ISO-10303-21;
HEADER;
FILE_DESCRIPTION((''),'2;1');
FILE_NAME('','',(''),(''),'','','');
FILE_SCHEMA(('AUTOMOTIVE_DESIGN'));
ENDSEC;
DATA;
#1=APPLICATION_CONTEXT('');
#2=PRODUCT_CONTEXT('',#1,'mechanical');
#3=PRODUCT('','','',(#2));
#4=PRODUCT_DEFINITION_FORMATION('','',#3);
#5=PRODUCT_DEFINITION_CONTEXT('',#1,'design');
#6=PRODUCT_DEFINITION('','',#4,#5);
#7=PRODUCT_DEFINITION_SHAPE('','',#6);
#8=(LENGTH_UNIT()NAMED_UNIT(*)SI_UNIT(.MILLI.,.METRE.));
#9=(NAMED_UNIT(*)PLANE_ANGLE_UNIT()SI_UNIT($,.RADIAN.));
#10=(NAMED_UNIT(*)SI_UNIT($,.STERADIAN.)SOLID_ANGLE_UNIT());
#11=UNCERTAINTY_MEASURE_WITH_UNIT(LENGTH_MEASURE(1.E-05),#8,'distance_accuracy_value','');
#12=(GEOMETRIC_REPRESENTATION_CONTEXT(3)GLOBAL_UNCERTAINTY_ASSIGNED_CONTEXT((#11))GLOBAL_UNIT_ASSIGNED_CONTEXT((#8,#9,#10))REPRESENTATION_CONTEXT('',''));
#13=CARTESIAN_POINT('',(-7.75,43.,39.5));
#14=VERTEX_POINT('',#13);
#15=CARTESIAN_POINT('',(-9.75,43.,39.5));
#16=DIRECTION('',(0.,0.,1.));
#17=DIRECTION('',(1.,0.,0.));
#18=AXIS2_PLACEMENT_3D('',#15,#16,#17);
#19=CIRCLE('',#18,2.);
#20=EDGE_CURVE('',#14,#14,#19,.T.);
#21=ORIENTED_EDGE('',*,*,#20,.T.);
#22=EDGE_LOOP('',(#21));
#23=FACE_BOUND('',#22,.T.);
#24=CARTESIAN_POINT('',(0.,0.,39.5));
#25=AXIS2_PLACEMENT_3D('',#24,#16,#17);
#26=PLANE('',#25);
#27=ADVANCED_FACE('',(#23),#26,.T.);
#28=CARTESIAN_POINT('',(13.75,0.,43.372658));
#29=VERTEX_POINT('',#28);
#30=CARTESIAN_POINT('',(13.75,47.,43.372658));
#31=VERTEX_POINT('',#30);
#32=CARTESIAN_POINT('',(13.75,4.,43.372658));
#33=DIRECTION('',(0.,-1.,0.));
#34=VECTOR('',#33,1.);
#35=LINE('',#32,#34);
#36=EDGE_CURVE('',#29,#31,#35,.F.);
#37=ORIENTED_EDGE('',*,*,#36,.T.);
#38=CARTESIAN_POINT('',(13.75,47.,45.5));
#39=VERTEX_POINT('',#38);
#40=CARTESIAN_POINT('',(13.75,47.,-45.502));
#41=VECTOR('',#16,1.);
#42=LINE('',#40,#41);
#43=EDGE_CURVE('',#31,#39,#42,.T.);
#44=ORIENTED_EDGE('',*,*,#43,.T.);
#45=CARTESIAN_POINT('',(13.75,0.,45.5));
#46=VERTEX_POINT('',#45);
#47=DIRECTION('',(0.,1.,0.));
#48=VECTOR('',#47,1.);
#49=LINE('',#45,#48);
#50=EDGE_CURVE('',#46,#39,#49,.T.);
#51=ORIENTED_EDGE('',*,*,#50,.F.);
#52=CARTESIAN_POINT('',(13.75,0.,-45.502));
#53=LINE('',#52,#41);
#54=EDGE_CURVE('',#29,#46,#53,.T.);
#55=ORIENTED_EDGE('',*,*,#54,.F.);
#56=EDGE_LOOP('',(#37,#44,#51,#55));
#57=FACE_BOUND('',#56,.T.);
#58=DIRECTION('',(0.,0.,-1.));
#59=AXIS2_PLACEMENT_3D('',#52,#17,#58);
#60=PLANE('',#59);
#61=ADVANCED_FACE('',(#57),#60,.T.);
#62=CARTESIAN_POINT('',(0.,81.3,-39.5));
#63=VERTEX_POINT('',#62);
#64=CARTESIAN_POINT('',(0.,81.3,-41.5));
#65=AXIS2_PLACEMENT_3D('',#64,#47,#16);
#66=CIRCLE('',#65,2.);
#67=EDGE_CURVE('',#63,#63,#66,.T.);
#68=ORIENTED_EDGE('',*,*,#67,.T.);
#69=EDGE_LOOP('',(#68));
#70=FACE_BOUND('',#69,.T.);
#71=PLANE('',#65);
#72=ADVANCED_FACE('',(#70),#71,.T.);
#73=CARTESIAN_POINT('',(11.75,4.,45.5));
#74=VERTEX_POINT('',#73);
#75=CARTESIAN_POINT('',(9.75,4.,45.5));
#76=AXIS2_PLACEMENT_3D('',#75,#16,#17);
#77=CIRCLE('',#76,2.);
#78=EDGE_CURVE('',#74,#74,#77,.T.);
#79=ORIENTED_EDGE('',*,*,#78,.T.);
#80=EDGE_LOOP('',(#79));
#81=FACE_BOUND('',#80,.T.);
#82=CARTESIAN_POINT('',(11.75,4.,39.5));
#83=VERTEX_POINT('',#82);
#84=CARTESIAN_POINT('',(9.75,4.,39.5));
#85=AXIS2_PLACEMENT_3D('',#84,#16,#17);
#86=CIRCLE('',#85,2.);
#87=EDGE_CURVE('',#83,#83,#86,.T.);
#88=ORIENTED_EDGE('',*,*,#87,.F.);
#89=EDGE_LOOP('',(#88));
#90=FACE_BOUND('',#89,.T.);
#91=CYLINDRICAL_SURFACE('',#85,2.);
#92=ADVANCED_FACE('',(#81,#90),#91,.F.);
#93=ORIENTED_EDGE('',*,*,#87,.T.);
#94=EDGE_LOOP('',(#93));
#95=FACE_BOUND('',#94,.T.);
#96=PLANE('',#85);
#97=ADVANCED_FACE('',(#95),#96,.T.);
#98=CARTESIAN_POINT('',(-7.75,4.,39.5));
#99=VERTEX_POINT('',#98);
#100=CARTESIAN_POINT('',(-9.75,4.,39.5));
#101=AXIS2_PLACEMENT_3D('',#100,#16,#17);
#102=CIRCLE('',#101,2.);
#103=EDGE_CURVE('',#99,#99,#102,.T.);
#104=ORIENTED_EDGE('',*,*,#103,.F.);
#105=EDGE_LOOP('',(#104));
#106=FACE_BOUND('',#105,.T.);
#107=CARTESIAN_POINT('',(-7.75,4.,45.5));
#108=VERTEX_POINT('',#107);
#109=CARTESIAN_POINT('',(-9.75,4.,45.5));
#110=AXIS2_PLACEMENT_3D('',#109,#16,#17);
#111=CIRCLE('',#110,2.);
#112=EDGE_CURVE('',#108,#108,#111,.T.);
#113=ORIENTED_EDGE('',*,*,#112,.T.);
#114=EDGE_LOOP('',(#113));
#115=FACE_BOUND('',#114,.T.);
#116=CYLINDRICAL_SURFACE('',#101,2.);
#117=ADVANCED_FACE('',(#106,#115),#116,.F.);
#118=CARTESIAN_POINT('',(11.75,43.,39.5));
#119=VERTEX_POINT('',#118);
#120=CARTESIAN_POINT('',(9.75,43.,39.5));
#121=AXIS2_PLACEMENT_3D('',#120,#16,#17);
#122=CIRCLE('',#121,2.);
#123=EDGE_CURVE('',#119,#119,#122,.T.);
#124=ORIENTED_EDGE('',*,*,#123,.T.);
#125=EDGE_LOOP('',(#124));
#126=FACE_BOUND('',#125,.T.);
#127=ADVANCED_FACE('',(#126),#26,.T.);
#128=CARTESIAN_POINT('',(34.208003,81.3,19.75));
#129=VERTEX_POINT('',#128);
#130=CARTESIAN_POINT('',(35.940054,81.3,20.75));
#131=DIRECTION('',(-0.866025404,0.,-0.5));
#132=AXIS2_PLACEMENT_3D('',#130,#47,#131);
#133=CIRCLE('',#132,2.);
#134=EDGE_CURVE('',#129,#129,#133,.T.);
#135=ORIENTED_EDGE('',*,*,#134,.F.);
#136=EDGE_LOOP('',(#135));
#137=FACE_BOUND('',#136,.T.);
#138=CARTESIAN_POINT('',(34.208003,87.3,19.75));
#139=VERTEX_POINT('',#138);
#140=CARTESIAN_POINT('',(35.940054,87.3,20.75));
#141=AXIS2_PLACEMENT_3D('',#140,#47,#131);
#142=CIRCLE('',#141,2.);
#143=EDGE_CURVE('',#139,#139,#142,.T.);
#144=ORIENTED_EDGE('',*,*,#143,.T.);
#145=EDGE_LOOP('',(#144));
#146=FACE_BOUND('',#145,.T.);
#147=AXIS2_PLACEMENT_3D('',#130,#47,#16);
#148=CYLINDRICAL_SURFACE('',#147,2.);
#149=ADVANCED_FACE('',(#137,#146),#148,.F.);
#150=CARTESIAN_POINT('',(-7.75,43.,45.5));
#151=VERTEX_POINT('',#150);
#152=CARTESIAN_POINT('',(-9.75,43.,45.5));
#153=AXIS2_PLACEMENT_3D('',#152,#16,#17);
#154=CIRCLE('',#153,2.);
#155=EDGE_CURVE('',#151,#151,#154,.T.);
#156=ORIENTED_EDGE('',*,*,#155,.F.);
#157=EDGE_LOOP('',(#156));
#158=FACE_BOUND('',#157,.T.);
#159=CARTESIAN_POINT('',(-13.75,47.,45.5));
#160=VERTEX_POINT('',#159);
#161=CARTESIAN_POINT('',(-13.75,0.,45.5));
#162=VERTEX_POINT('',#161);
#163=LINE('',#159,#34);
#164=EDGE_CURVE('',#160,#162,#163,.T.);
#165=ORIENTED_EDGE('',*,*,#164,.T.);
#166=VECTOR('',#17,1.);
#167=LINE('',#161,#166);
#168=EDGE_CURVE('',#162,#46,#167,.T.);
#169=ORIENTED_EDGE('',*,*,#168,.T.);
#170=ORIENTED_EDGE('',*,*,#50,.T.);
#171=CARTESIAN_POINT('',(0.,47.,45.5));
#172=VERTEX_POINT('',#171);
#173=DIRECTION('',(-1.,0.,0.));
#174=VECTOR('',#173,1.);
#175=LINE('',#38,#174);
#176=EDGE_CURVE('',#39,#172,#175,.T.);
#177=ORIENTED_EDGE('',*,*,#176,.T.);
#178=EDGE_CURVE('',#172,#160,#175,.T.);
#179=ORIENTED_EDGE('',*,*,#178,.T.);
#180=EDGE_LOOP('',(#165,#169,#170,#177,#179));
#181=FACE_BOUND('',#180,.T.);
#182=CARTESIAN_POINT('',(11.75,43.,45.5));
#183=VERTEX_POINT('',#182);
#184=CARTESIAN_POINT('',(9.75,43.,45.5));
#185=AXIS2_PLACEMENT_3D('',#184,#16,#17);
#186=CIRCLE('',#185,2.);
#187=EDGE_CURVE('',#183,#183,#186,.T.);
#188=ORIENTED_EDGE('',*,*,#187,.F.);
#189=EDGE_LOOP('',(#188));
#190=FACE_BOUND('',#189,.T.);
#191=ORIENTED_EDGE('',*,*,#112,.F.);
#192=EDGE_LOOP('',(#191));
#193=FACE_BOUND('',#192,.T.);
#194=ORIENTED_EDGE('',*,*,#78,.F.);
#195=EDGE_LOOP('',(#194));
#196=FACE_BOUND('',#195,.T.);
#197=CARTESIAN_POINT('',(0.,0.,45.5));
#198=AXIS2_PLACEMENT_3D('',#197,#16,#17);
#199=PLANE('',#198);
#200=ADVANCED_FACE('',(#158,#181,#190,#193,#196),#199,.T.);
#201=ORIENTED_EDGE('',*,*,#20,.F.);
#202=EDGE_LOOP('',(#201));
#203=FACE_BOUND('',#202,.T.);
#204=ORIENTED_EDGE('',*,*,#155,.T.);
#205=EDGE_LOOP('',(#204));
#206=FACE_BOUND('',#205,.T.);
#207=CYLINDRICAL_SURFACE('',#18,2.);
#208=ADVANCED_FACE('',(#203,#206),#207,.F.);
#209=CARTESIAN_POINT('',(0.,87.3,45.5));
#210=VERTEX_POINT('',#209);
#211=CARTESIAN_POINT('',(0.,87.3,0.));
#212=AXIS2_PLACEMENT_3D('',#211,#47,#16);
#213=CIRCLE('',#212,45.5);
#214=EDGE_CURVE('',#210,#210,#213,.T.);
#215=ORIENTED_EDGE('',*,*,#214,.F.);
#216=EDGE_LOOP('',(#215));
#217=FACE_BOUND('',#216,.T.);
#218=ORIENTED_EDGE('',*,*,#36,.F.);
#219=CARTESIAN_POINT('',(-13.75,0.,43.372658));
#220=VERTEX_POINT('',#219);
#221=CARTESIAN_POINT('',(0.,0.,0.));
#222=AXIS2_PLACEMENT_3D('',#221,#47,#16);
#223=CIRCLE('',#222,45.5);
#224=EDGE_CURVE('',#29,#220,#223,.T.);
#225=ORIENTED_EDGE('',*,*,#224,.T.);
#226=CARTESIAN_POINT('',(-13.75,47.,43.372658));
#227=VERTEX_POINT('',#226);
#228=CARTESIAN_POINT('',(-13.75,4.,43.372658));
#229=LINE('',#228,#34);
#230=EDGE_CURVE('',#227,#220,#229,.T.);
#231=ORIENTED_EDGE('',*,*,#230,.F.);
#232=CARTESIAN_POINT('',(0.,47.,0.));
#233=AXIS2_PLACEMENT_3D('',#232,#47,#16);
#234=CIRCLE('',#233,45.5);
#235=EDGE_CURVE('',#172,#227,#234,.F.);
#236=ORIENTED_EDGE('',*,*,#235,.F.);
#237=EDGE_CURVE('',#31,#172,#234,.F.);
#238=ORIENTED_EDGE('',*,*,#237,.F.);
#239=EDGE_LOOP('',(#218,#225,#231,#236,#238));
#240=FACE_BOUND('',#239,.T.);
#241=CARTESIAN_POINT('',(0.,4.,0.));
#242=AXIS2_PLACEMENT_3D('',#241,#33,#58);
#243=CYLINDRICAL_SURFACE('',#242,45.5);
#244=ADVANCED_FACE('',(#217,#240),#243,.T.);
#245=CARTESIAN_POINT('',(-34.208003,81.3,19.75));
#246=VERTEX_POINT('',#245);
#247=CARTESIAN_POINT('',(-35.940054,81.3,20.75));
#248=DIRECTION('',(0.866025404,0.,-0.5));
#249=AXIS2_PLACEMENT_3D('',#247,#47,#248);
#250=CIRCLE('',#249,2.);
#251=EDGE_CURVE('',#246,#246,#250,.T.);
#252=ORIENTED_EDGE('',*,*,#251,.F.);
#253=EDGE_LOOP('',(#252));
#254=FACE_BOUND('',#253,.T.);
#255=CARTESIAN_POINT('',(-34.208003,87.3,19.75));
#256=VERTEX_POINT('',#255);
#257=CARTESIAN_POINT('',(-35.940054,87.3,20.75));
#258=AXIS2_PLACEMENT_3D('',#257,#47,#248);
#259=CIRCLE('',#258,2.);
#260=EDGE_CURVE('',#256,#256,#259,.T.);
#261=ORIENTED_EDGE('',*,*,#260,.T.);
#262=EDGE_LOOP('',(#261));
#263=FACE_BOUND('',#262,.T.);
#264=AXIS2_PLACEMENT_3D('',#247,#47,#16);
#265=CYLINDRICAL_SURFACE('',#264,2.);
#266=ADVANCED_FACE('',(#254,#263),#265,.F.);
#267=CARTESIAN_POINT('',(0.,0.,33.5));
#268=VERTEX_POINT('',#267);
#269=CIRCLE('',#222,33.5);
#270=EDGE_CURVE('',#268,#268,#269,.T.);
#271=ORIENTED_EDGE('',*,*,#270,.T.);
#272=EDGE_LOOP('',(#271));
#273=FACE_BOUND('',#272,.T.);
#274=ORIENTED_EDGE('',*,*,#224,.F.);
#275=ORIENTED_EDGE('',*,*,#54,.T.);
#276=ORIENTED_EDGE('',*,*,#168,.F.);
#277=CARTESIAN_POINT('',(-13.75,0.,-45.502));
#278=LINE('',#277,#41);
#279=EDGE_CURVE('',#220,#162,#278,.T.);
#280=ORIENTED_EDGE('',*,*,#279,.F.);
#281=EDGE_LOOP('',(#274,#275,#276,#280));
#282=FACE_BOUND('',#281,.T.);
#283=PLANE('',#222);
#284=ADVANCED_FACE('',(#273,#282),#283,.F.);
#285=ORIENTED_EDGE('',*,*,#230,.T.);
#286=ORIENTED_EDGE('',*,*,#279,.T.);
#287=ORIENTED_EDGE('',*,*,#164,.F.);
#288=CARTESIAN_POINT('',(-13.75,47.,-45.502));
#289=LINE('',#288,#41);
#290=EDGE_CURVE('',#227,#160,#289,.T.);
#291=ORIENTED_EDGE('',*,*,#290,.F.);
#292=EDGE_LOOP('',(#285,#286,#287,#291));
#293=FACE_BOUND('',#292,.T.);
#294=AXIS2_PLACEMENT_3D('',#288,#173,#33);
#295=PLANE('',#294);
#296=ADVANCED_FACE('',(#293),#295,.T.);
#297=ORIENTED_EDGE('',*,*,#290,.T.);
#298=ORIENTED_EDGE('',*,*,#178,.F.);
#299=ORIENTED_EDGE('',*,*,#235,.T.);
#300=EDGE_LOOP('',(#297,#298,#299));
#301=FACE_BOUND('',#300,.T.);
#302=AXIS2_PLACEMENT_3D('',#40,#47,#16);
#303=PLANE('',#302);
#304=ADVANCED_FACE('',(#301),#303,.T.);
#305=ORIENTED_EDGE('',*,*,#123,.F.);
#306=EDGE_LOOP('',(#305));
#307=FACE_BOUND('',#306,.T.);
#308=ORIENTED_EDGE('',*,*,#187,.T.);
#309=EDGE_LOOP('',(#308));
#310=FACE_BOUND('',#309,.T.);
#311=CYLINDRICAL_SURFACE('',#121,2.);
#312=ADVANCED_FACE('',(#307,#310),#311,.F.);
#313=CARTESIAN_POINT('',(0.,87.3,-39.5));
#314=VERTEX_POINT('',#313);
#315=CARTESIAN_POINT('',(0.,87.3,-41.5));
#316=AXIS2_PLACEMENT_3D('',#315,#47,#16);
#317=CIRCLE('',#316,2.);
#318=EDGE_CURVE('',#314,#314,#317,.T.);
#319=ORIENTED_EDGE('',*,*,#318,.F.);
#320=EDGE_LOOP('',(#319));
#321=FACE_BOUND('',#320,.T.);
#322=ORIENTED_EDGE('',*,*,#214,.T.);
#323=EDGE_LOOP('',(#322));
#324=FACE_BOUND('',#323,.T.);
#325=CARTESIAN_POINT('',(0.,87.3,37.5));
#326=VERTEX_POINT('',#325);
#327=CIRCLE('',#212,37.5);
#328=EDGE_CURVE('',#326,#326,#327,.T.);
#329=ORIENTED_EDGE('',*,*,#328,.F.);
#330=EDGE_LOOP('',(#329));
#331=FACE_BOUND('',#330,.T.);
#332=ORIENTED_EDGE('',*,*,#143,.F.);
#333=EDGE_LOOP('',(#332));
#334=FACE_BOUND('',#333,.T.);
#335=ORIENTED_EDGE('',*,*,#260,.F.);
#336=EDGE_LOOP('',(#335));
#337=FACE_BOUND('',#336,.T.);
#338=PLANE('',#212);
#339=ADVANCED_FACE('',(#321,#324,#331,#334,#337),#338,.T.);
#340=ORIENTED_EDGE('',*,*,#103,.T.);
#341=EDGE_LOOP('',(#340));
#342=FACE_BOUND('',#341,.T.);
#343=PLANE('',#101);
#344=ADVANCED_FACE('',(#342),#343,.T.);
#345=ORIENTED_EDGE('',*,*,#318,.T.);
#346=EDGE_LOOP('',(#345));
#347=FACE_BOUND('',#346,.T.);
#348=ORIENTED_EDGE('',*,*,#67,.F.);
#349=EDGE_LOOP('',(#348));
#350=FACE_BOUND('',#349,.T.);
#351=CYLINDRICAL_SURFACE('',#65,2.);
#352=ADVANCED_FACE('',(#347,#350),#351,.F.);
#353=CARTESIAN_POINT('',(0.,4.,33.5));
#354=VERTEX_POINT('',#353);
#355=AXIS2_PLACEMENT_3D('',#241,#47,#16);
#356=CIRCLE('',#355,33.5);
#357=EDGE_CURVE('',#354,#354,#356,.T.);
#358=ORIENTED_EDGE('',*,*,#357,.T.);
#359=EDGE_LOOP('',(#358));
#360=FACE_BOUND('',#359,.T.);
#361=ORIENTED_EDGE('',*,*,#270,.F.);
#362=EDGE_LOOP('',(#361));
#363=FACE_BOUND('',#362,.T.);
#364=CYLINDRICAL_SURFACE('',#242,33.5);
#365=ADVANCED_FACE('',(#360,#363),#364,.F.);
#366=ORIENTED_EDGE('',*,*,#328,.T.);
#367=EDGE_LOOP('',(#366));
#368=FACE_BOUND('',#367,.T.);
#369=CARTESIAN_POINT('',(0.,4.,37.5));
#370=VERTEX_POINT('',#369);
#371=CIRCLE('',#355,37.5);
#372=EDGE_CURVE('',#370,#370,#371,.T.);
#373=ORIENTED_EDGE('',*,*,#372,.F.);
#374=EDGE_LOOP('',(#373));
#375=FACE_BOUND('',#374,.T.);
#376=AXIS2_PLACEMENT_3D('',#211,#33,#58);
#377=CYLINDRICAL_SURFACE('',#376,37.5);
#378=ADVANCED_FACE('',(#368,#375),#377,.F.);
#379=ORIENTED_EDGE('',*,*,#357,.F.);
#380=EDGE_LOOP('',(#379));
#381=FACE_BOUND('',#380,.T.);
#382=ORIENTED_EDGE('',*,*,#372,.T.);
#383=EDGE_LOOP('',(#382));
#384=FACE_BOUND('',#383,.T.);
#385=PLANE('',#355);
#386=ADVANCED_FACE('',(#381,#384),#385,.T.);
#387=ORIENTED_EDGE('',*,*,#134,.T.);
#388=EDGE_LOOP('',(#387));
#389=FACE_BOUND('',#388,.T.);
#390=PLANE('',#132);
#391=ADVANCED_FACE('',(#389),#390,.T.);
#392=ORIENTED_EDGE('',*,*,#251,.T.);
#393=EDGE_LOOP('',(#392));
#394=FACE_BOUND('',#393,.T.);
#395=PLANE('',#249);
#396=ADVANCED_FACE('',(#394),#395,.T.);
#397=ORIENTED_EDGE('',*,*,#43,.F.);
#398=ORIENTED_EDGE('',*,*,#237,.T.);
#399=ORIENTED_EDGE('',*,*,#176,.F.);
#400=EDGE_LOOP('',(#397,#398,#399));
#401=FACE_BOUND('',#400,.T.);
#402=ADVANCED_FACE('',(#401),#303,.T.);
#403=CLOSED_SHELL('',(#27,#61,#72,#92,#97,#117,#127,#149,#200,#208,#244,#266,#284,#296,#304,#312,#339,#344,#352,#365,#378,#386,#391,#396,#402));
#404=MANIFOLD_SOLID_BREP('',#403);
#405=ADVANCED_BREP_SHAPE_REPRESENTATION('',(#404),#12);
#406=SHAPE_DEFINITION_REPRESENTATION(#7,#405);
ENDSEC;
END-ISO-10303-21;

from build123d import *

# Parameters (mm, degrees)
SKETCH1_R                = 45.5
SKETCH1_R_2              = 33.5
BOSS_EXTRUDE1_DEPTH      = 4
SKETCH2_R                = 45.5
SKETCH2_R_2              = 37.5
BOSS_EXTRUDE2_DEPTH      = 83.3
SKETCH4_R                = 2
CUT_EXTRUDE1_DEPTH       = 6
CIRPATTERN1_COUNT        = 3
BOSS_EXTRUDE4_REACH      = 136.062
BOSS_EXTRUDE4_END_RADIUS = 45.5
SKETCH7_W                = 27.5
SKETCH7_H                = 47
SKETCH9_R                = 2
CUT_EXTRUDE2_DEPTH       = 6
SKETCH10_R               = 2
CUT_EXTRUDE3_DEPTH       = 6


with BuildPart() as part:
    # Sketch1 → Boss-Extrude1 (new body)
    with BuildSketch(Plane(origin=(0, 0, 0), x_dir=(1, 0, 0), z_dir=(0, 1, 0))):
        with Locations(Location((0, 0, 0), (0, 0, 270))):
            Circle(SKETCH1_R)
        with Locations(Location((0, 0, 0), (0, 0, 270))):
            Circle(SKETCH1_R_2, mode=Mode.SUBTRACT)
    extrude(amount=BOSS_EXTRUDE1_DEPTH)

    # Sketch2 → Boss-Extrude2 (add)
    with BuildSketch(Plane(origin=(0, 4, 0), x_dir=(1, 0, 0), z_dir=(0, 1, 0))):
        with Locations(Location((0, 0, 0), (0, 0, 270))):
            Circle(SKETCH2_R)
        with Locations(Location((0, 0, 0), (0, 0, 270))):
            Circle(SKETCH2_R_2, mode=Mode.SUBTRACT)
    extrude(amount=BOSS_EXTRUDE2_DEPTH)

    # Sketch4 → Cut-Extrude1 (cut)
    with BuildSketch(Plane(origin=(0, 87.3, 0), x_dir=(1, 0, 0), z_dir=(0, 1, 0))):
        with Locations(Location((0, 41.5, 0), (0, 0, 270))):
            Circle(SKETCH4_R)
    cut_extrude1 = extrude(amount=-CUT_EXTRUDE1_DEPTH, mode=Mode.SUBTRACT)

    # CirPattern1: Cut-Extrude1 ×3 about axis
    cirpattern1_axis = Axis((0, 0, 0), (0, 1, 0))
    for i in range(1, CIRPATTERN1_COUNT):
        add(cut_extrude1.rotate(cirpattern1_axis, i * 360 / CIRPATTERN1_COUNT), mode=Mode.SUBTRACT)

    # Boss-Extrude4: up to this cylinder (the profile starts outside it)
    boss_extrude4_end = Plane(origin=(0, 23.5, 0), z_dir=(0, -1, 0)) * Cylinder(BOSS_EXTRUDE4_END_RADIUS, 364.124, mode=Mode.PRIVATE)
    # Sketch7 → Boss-Extrude4 (add, up to the surface)
    with BuildSketch(Plane(origin=(0, 87.3, 45.5), x_dir=(1, 0, 0), z_dir=(0, 0, 1)), mode=Mode.PRIVATE) as boss_extrude4_sk1:
        with Locations((0, -63.8)):
            Rectangle(SKETCH7_W, SKETCH7_H)
    boss_extrude4_tool1 = extrude(boss_extrude4_sk1.sketch, amount=-BOSS_EXTRUDE4_REACH, mode=Mode.PRIVATE) - boss_extrude4_end
    add(boss_extrude4_tool1.solids().sort_by_distance((0, 23.5, 45.5))[0])
    add(boss_extrude4_tool1.solids().sort_by_distance((0, 23.5, 45.5))[1])

    # Sketch9 → Cut-Extrude2 (cut)
    with BuildSketch(Plane.XY.offset(45.5)):
        with Locations((-9.75, 4)):
            Circle(SKETCH9_R)
        with Locations((9.75, 4)):
            Circle(SKETCH9_R)
    extrude(amount=-CUT_EXTRUDE2_DEPTH, mode=Mode.SUBTRACT)

    # Sketch10 → Cut-Extrude3 (cut)
    with BuildSketch(Plane.XY.offset(45.5)):
        with Locations((-9.75, 43)):
            Circle(SKETCH10_R)
        with Locations((9.75, 43)):
            Circle(SKETCH10_R)
    extrude(amount=-CUT_EXTRUDE3_DEPTH, mode=Mode.SUBTRACT)


solid = part.part
